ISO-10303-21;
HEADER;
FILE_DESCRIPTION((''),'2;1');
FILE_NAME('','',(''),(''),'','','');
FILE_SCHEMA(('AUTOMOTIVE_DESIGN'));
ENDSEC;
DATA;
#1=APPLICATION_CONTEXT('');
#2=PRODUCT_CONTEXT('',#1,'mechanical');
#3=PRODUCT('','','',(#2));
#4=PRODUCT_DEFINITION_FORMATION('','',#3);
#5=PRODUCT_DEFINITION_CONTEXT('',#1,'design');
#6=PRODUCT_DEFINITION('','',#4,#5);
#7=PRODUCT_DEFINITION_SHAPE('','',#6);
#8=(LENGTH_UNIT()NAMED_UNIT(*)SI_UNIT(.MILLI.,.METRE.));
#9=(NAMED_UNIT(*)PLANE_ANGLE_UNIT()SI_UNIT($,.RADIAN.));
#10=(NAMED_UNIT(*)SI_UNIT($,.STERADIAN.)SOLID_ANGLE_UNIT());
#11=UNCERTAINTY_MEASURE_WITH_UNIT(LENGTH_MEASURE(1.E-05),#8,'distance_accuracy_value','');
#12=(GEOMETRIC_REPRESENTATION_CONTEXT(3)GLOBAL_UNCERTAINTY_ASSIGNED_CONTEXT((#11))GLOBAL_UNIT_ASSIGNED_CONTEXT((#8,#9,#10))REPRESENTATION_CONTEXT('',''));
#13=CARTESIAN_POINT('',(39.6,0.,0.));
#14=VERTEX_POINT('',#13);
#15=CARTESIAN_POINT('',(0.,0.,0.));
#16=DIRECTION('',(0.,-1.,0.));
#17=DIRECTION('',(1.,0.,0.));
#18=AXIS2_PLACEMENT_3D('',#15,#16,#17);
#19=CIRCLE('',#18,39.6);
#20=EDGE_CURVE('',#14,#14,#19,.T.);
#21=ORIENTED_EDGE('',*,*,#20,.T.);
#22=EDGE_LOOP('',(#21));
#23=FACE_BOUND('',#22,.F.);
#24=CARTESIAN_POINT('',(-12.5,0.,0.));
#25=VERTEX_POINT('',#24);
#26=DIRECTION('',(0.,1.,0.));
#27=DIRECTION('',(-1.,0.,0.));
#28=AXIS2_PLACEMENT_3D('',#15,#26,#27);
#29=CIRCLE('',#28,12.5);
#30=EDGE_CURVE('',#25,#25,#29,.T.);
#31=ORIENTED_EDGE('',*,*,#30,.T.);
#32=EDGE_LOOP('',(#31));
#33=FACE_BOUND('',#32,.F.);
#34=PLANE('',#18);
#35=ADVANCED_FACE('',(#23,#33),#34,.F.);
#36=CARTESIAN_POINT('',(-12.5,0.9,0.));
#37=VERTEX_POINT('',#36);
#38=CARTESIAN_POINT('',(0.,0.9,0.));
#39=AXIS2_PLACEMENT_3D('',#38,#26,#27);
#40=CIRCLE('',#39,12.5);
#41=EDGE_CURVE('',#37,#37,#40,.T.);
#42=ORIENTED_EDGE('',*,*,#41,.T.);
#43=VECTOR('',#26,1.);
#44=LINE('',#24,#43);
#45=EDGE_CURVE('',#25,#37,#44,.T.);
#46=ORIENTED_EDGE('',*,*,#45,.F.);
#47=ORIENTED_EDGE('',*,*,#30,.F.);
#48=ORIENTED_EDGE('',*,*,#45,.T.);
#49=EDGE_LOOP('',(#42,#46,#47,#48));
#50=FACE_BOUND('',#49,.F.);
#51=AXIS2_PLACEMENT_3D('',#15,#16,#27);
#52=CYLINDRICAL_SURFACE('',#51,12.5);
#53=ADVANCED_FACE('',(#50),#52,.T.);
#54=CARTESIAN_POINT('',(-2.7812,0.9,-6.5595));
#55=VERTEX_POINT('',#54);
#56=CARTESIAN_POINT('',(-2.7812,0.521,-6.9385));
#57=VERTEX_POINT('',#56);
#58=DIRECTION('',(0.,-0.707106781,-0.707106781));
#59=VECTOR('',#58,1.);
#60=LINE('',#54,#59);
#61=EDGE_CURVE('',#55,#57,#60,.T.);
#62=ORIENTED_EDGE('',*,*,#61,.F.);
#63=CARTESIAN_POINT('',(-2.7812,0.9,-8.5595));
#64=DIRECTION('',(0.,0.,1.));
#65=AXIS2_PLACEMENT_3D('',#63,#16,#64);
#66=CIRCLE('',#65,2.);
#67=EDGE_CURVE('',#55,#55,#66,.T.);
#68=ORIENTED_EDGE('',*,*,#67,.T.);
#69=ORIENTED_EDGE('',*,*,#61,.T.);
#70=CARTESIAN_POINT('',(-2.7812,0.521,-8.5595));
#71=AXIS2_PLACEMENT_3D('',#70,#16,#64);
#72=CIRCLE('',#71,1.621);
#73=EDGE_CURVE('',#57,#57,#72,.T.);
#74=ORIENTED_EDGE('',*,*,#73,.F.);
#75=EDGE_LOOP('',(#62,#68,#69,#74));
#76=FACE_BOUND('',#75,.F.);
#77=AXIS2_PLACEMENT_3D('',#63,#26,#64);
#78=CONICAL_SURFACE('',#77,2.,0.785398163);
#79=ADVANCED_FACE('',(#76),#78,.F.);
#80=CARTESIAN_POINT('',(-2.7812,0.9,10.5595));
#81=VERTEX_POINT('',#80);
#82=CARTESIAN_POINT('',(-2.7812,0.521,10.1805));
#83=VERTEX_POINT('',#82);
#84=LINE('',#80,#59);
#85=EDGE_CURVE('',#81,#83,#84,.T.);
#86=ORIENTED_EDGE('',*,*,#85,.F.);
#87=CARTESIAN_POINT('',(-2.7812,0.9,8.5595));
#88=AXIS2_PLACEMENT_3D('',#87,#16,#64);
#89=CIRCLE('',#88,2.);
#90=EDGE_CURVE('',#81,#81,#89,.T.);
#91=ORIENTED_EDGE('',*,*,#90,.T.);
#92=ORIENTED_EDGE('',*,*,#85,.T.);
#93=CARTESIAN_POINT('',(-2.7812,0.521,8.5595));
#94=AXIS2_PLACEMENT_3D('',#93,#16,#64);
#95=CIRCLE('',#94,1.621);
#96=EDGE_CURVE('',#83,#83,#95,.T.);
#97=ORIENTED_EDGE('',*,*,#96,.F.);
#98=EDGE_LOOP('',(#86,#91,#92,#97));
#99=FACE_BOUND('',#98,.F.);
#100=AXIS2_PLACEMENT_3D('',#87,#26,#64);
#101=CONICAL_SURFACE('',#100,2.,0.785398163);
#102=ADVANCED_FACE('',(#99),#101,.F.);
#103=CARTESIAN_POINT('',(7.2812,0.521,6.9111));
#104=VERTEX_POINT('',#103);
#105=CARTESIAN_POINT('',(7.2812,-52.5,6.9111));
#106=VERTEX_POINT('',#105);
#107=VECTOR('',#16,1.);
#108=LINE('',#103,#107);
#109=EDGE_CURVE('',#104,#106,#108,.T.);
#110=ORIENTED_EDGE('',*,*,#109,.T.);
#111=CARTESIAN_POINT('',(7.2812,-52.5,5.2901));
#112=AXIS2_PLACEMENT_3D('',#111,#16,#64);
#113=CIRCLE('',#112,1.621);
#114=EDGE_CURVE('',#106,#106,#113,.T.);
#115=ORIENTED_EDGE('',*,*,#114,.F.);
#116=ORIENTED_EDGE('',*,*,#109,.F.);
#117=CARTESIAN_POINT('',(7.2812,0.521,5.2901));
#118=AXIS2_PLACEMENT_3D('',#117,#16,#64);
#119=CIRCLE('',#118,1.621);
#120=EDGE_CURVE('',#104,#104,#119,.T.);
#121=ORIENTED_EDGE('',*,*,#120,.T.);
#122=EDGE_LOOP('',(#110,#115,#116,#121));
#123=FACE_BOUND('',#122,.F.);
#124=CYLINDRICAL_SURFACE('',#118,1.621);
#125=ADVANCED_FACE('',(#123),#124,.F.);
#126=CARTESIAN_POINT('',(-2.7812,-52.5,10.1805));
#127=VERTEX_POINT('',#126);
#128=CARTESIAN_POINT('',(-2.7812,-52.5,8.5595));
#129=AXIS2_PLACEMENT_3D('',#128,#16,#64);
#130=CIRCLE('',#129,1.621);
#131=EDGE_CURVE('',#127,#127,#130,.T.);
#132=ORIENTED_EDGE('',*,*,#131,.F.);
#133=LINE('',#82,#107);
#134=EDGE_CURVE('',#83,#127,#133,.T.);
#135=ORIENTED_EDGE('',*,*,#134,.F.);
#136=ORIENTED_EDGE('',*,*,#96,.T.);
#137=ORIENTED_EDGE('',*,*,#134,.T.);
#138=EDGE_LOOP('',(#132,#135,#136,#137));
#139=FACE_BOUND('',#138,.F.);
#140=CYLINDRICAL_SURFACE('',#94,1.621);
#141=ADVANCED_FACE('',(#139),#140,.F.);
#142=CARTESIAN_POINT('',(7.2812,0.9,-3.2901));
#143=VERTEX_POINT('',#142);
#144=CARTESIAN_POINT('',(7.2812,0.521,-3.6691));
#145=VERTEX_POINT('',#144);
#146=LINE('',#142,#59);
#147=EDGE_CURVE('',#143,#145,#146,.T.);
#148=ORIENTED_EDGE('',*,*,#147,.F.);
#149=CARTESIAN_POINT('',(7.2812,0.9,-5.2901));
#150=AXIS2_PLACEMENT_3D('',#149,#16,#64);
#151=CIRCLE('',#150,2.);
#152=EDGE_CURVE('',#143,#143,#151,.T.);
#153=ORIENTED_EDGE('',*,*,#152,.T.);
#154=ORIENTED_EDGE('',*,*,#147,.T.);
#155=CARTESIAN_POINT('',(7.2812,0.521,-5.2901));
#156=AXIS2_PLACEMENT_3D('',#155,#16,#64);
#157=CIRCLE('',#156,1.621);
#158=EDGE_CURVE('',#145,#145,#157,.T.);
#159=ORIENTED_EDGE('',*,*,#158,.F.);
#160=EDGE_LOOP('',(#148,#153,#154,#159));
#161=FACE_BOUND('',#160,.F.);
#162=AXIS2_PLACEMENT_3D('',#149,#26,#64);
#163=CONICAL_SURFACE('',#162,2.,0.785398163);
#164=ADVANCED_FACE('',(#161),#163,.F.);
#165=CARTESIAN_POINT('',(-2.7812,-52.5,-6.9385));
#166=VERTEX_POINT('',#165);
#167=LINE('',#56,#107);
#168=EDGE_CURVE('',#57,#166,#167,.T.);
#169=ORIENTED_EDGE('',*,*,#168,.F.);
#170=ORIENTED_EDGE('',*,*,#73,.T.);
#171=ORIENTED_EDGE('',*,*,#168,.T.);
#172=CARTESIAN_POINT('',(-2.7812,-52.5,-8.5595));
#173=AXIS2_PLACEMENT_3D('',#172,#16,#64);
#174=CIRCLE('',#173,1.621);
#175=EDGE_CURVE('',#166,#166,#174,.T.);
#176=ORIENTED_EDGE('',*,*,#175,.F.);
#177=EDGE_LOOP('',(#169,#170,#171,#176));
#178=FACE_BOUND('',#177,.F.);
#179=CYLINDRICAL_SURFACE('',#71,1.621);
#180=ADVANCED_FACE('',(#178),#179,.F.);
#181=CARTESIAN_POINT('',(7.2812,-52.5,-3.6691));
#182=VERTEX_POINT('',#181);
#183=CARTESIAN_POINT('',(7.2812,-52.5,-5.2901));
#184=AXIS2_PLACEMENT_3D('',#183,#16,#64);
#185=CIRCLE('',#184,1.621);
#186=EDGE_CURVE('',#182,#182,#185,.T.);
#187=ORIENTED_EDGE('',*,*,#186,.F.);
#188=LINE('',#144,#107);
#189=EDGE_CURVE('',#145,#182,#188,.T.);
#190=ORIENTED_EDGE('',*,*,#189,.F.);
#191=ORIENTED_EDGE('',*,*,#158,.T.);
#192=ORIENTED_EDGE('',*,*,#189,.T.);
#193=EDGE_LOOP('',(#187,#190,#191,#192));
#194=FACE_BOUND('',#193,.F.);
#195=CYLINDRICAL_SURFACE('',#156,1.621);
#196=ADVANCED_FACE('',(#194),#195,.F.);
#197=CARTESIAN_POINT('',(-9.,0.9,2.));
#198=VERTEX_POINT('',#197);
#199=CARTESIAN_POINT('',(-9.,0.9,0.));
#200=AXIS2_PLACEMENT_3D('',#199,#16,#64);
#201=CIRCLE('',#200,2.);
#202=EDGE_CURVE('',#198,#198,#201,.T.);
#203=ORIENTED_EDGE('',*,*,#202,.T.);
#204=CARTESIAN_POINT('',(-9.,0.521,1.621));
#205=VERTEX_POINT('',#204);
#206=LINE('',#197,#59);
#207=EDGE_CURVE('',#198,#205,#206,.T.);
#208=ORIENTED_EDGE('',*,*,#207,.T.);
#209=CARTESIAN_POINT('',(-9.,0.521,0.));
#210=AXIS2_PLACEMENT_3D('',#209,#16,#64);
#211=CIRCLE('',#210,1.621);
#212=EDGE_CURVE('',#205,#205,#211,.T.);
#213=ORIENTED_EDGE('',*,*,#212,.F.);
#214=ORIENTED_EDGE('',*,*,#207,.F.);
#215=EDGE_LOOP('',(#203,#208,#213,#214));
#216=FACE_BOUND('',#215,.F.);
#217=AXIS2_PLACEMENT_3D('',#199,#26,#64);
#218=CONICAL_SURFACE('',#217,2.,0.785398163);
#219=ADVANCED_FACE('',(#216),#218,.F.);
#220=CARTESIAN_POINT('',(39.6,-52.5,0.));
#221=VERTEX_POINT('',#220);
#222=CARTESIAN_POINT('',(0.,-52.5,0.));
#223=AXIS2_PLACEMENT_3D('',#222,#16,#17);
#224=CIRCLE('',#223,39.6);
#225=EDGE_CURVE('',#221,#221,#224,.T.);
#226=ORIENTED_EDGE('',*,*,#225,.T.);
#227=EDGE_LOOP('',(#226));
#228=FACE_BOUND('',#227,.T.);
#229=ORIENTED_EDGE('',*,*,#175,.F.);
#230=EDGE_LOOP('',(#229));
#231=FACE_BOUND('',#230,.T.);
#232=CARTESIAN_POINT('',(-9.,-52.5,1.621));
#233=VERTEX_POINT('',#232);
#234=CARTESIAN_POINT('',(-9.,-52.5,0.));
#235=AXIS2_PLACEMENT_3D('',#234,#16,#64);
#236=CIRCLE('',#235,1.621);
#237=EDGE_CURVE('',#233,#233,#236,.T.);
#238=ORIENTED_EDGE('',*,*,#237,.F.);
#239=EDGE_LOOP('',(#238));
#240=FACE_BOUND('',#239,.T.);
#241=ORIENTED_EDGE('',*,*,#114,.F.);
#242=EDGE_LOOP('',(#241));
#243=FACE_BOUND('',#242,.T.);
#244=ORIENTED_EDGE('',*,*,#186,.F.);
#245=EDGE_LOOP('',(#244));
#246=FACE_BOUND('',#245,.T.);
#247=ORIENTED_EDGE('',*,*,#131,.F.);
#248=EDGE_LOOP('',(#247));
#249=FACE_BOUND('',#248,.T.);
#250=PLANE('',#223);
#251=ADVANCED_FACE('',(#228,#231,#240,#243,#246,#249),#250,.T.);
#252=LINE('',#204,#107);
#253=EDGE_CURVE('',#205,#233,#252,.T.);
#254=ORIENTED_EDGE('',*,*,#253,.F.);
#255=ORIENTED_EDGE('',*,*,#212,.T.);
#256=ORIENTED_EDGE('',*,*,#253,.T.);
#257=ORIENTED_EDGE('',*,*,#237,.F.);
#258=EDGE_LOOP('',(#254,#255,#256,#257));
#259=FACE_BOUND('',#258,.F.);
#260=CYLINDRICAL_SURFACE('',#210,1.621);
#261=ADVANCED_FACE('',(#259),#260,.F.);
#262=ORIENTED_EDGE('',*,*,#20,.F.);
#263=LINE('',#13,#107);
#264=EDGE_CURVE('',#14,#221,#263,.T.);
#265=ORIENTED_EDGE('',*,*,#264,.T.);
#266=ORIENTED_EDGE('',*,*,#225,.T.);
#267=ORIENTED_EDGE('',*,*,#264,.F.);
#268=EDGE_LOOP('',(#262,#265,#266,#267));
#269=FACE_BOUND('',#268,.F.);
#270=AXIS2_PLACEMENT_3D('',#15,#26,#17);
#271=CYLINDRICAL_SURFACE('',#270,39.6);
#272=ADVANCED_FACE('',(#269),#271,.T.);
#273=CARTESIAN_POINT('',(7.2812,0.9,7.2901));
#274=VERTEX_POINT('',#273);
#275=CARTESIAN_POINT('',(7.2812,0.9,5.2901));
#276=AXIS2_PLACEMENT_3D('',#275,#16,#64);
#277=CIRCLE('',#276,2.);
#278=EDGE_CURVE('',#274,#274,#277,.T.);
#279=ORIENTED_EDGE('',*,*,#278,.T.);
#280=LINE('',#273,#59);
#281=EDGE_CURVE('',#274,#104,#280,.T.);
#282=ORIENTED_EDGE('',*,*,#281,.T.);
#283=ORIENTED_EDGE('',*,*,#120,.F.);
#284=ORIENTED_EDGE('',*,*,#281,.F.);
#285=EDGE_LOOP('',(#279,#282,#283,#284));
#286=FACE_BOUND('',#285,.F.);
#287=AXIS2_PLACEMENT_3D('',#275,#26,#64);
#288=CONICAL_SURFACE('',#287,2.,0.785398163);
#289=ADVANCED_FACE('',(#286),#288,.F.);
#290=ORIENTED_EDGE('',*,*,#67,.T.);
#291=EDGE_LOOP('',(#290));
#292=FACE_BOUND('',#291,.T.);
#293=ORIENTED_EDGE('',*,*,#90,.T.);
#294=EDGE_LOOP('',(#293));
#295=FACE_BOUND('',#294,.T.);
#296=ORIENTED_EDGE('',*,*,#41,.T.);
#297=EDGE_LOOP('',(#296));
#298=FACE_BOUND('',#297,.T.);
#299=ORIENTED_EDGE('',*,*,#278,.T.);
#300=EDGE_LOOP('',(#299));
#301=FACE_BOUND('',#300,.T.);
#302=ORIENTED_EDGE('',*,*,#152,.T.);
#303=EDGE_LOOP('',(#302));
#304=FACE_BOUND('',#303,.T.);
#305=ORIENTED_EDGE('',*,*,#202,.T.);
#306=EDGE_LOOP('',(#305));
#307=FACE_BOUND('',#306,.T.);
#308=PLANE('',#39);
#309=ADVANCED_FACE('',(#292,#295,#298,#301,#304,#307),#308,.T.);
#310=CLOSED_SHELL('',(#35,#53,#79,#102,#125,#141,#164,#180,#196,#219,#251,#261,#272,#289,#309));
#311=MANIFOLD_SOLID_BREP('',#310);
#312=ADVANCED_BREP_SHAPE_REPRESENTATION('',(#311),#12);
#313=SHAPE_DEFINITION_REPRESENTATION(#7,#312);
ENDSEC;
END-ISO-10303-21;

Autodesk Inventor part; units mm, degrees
ref_plane "XZ Plane" through (0, 0, 0) normal (0, 1, 0) x (-1, 0, 0)
sketch "Sketch1" plane through (0, 0, 0) normal (0, 1, 0) x (-1, 0, 0)
  circle A0 centre (0, 0) radius 12.5
  dimension "d0" = 25
extrude "Extrusion1" add sketch "Sketch1" along normal blind 0.9
sketch "Sketch2" plane through (0, 0, 0) normal (0, -1, 0) x (1, 0, 0)
  circle A0 centre (0, 0) radius 39.6
  dimension "d3" = 79.2
extrude "Extrusion2" add sketch "Sketch2" along normal blind 52.5
sketch "Sketch3" plane through (0, 0.9, 0) normal (0, 1, 0) x (1, 0, 0)
  line L0 (0, 0) -> (-9, 0) construction
  circle A0 centre (0, 0) radius 9 construction
  point P0 (-2.7812, -8.5595)
  point P1 (7.2812, -5.2901)
  point P2 (7.2812, 5.2901)
  point P3 (-2.7812, 8.5595)
  point P4 (-2.7812, 8.5595)
  point P5 (7.2812, 5.2901)
  point P6 (7.2812, -5.2901)
  point P7 (-2.7812, -8.5595)
  dimension "d6" = 18
  dimension "d9" = 360
hole "Hole2" at (-9, 0.9, 0) at (-2.7812, 0.9, -8.5595) at (7.2812, 0.9, -5.2901) at (7.2812, 0.9, 5.2901) at (-2.7812, 0.9, 8.5595) direction (0, -1, 0) diameter 3.242 end through all countersink diameter 4 countersink angle 90 thread size "M4x0.7" class "6H" standard "ISO Metric profile"
sketch "Sketch4" plane through (0, 0, 0) normal (0, 0, 1) x (1, 0, 0)
  line L0 (18.2808, -210.8501) -> (-19.3069, -224.5309)
  line L1 (-19.3069, -224.5309) -> (-18.2808, -227.3499)
  line L2 (-18.2808, -227.3499) -> (19.3069, -213.6691)
  line L3 (19.3069, -213.6691) -> (18.2808, -210.8501)
  line L4 (18.2808, -210.8501) -> (-18.2808, -227.3499) construction
  line L5 (-19.3069, -224.5309) -> (19.3069, -213.6691) construction
  line L6 (12.5, 0.9) -> (-12.5, 0.9) construction
  line L7 (0, 0.9) -> (0, -219.1) construction
  point P0 (0, 0)
  dimension "d25" = 40
  dimension "d27" = 3
  dimension "d28" = 70
  dimension "d29" = 220
sketch "Sketch5" plane through (19.3069, -213.6691, -20) normal (0.342, -0.9397, 0) x (0.9397, 0.342, 0)
  line L0 (0, 0) -> (0, 40) projected
  line L1 (0, 20) -> (-20, 20) construction
  line L2 (-20, 20) -> (-20, 0) construction
  line L3 (0, 0) -> (-40, 0) projected
  circle A0 centre (-20, 20) radius 15
  point P0 (54.9366, 20)
  dimension "d32" = 30
properties part number "CH_01_0044_motor_end"
